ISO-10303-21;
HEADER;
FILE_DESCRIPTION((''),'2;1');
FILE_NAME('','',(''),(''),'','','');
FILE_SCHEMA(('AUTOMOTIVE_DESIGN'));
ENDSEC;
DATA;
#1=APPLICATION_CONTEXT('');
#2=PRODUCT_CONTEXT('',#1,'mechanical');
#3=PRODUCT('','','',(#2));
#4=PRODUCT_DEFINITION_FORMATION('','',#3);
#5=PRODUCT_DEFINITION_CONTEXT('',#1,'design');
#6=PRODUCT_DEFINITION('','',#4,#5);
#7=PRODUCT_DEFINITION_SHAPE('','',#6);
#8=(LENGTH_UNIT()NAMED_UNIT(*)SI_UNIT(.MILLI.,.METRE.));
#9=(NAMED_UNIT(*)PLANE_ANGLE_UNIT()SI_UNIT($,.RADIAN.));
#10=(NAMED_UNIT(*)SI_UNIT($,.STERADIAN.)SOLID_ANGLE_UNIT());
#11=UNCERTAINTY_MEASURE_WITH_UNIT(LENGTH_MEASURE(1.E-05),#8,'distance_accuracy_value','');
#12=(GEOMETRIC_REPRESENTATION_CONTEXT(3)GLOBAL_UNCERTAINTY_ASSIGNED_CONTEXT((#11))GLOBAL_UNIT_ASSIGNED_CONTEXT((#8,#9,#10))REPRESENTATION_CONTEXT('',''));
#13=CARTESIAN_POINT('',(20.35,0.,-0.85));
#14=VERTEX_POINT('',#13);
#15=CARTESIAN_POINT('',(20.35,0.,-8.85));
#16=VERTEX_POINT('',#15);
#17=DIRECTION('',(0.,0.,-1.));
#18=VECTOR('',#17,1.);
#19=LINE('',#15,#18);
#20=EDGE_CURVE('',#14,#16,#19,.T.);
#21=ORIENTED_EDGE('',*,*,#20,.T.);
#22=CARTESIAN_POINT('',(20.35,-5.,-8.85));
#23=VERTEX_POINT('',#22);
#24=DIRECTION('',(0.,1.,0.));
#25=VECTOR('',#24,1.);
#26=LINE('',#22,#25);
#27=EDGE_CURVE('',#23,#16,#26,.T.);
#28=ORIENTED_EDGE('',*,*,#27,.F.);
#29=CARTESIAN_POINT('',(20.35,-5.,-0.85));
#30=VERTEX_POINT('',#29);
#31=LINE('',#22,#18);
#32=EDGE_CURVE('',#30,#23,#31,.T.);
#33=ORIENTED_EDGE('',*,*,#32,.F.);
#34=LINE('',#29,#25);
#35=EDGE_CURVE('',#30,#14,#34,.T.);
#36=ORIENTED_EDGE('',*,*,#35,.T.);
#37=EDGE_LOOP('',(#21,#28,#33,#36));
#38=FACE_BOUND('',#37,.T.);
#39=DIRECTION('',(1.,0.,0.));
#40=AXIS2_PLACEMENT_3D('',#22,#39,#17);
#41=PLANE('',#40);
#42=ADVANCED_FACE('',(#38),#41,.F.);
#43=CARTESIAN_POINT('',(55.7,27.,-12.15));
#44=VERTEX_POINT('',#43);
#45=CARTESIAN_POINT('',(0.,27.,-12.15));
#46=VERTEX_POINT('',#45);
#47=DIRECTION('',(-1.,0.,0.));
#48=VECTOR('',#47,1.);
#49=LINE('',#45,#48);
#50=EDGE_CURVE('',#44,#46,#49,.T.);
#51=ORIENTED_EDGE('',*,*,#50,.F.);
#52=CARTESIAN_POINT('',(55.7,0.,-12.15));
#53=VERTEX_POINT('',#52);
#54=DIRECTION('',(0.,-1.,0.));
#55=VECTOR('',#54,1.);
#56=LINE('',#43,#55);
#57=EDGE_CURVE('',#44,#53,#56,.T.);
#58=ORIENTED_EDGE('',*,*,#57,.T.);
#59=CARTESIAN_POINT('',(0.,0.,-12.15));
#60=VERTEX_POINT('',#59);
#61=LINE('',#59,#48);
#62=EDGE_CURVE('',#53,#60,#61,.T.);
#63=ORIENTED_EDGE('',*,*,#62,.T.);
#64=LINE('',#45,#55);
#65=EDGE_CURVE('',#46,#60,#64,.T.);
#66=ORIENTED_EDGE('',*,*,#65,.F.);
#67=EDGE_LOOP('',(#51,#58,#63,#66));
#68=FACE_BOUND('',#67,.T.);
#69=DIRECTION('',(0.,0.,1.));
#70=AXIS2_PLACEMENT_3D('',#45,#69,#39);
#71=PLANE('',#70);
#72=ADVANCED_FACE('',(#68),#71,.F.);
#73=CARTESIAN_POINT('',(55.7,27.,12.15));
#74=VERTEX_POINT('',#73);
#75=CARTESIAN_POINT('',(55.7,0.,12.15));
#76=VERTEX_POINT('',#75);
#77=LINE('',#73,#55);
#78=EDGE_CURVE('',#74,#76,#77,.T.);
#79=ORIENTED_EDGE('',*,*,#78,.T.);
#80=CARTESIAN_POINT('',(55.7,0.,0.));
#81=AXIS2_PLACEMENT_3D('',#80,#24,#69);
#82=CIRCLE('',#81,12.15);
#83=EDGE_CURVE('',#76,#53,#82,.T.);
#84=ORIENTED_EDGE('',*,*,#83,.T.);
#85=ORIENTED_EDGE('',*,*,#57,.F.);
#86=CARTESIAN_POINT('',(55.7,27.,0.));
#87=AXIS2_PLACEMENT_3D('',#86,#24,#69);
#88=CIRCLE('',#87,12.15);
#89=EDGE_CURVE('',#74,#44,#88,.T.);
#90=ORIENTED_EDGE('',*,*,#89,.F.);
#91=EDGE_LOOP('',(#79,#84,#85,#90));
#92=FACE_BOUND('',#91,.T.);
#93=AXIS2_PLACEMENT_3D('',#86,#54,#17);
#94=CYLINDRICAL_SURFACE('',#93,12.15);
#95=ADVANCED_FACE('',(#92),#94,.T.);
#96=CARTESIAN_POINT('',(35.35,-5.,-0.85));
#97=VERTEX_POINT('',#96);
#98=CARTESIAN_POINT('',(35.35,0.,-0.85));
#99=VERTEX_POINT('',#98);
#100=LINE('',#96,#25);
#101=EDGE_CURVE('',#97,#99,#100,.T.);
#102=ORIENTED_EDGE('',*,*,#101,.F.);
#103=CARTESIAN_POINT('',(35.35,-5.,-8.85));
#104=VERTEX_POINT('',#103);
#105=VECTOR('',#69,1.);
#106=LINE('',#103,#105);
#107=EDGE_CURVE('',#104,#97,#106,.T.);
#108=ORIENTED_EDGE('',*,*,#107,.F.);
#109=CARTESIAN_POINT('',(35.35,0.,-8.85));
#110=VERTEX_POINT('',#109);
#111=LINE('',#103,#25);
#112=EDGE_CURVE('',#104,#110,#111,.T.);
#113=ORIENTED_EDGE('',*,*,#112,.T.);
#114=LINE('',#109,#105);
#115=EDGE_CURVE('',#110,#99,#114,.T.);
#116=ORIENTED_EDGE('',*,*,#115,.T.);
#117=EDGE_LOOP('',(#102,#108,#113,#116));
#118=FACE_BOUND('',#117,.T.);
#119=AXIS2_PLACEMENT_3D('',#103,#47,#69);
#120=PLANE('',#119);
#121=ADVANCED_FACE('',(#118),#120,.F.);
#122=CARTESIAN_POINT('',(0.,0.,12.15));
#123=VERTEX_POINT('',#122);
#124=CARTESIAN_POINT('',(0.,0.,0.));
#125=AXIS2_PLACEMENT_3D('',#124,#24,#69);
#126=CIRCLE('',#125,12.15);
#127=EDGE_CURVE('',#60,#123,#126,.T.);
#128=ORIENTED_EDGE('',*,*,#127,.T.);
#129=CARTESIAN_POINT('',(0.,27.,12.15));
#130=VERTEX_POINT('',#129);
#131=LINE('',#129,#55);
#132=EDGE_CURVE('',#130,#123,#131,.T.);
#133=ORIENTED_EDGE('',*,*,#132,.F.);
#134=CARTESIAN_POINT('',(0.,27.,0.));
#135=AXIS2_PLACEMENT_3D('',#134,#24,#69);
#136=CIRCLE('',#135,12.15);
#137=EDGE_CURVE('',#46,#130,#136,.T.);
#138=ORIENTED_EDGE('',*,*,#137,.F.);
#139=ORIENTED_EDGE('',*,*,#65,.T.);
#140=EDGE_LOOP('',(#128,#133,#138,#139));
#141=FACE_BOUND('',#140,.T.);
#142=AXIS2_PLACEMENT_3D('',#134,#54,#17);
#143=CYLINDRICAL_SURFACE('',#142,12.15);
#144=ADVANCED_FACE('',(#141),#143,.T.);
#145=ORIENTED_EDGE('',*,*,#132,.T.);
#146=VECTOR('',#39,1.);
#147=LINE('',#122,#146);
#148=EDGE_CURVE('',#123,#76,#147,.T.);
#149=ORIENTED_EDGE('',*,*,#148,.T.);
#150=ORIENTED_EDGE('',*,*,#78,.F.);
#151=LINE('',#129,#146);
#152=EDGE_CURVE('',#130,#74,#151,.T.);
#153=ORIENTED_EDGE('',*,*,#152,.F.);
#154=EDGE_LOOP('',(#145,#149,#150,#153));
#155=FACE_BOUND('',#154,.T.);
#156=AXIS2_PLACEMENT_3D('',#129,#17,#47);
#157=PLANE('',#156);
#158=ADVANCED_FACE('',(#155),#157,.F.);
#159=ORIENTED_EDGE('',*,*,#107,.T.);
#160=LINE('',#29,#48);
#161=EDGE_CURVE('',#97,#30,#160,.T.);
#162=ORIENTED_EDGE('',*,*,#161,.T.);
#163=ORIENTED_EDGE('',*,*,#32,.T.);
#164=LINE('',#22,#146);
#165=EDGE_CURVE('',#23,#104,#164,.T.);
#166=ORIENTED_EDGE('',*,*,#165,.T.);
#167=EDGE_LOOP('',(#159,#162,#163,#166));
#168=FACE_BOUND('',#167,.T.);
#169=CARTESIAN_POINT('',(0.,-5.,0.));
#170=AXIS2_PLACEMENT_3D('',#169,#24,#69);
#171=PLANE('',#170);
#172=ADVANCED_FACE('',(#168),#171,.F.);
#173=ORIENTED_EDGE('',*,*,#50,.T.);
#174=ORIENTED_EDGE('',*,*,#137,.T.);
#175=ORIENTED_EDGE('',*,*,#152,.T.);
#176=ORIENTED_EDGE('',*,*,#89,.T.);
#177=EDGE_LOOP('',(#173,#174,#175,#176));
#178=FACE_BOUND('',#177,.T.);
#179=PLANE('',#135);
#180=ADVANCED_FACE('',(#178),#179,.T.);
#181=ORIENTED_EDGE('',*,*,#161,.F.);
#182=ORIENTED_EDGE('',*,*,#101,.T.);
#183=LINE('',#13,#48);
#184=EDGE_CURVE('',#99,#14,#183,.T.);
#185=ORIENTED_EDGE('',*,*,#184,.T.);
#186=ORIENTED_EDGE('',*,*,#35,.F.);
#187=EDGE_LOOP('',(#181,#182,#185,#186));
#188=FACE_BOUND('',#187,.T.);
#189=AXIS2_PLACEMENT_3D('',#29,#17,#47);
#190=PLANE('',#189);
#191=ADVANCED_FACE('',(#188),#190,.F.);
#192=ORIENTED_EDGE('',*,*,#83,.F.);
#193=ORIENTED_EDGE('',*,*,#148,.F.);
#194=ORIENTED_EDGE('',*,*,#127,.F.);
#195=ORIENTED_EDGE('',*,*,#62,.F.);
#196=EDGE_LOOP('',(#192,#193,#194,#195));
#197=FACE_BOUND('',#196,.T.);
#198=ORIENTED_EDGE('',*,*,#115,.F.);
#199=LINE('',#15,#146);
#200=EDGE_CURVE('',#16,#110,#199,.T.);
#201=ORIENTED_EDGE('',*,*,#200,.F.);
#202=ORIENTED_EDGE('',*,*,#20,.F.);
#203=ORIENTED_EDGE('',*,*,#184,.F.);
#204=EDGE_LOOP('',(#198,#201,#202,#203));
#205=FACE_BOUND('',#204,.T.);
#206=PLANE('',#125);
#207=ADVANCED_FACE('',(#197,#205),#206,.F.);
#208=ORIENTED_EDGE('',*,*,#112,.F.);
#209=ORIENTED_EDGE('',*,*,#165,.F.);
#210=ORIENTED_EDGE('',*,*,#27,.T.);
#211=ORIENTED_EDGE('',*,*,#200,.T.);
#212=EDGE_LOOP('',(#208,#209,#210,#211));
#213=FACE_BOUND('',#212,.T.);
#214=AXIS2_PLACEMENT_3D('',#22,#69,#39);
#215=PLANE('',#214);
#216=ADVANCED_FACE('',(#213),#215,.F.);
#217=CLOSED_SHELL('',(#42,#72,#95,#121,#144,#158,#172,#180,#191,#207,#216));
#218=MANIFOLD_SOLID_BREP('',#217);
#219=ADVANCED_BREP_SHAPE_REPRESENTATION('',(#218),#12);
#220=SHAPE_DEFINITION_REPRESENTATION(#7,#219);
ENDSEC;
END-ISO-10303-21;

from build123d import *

# Parameters (mm, degrees)
EXTRUDE_1_DEPTH = 27
SKETCH_2_W      = 15
SKETCH_2_H      = 8
EXTRUDE_2_DEPTH = 5


with BuildPart() as part:
    # 草图1 → 凸台-拉伸1 (new body)
    with BuildSketch(Plane(origin=(0, 0, 0), x_dir=(1, 0, 0), z_dir=(0, 1, 0))):
        with BuildLine():
            Line((0, 12.15), (55.7, 12.15))
            ThreePointArc((55.7, 12.15), (67.85, 0), (55.7, -12.15))
            Line((55.7, -12.15), (0, -12.15))
            ThreePointArc((0, -12.15), (-12.15, 0), (0, 12.15))
        make_face()
    extrude(amount=EXTRUDE_1_DEPTH)

    # 草图2 → 凸台-拉伸2 (add)
    with BuildSketch(Plane.XZ):
        with Locations((27.85, -4.85)):
            Rectangle(SKETCH_2_W, SKETCH_2_H)
    extrude(amount=EXTRUDE_2_DEPTH)


solid = part.part
